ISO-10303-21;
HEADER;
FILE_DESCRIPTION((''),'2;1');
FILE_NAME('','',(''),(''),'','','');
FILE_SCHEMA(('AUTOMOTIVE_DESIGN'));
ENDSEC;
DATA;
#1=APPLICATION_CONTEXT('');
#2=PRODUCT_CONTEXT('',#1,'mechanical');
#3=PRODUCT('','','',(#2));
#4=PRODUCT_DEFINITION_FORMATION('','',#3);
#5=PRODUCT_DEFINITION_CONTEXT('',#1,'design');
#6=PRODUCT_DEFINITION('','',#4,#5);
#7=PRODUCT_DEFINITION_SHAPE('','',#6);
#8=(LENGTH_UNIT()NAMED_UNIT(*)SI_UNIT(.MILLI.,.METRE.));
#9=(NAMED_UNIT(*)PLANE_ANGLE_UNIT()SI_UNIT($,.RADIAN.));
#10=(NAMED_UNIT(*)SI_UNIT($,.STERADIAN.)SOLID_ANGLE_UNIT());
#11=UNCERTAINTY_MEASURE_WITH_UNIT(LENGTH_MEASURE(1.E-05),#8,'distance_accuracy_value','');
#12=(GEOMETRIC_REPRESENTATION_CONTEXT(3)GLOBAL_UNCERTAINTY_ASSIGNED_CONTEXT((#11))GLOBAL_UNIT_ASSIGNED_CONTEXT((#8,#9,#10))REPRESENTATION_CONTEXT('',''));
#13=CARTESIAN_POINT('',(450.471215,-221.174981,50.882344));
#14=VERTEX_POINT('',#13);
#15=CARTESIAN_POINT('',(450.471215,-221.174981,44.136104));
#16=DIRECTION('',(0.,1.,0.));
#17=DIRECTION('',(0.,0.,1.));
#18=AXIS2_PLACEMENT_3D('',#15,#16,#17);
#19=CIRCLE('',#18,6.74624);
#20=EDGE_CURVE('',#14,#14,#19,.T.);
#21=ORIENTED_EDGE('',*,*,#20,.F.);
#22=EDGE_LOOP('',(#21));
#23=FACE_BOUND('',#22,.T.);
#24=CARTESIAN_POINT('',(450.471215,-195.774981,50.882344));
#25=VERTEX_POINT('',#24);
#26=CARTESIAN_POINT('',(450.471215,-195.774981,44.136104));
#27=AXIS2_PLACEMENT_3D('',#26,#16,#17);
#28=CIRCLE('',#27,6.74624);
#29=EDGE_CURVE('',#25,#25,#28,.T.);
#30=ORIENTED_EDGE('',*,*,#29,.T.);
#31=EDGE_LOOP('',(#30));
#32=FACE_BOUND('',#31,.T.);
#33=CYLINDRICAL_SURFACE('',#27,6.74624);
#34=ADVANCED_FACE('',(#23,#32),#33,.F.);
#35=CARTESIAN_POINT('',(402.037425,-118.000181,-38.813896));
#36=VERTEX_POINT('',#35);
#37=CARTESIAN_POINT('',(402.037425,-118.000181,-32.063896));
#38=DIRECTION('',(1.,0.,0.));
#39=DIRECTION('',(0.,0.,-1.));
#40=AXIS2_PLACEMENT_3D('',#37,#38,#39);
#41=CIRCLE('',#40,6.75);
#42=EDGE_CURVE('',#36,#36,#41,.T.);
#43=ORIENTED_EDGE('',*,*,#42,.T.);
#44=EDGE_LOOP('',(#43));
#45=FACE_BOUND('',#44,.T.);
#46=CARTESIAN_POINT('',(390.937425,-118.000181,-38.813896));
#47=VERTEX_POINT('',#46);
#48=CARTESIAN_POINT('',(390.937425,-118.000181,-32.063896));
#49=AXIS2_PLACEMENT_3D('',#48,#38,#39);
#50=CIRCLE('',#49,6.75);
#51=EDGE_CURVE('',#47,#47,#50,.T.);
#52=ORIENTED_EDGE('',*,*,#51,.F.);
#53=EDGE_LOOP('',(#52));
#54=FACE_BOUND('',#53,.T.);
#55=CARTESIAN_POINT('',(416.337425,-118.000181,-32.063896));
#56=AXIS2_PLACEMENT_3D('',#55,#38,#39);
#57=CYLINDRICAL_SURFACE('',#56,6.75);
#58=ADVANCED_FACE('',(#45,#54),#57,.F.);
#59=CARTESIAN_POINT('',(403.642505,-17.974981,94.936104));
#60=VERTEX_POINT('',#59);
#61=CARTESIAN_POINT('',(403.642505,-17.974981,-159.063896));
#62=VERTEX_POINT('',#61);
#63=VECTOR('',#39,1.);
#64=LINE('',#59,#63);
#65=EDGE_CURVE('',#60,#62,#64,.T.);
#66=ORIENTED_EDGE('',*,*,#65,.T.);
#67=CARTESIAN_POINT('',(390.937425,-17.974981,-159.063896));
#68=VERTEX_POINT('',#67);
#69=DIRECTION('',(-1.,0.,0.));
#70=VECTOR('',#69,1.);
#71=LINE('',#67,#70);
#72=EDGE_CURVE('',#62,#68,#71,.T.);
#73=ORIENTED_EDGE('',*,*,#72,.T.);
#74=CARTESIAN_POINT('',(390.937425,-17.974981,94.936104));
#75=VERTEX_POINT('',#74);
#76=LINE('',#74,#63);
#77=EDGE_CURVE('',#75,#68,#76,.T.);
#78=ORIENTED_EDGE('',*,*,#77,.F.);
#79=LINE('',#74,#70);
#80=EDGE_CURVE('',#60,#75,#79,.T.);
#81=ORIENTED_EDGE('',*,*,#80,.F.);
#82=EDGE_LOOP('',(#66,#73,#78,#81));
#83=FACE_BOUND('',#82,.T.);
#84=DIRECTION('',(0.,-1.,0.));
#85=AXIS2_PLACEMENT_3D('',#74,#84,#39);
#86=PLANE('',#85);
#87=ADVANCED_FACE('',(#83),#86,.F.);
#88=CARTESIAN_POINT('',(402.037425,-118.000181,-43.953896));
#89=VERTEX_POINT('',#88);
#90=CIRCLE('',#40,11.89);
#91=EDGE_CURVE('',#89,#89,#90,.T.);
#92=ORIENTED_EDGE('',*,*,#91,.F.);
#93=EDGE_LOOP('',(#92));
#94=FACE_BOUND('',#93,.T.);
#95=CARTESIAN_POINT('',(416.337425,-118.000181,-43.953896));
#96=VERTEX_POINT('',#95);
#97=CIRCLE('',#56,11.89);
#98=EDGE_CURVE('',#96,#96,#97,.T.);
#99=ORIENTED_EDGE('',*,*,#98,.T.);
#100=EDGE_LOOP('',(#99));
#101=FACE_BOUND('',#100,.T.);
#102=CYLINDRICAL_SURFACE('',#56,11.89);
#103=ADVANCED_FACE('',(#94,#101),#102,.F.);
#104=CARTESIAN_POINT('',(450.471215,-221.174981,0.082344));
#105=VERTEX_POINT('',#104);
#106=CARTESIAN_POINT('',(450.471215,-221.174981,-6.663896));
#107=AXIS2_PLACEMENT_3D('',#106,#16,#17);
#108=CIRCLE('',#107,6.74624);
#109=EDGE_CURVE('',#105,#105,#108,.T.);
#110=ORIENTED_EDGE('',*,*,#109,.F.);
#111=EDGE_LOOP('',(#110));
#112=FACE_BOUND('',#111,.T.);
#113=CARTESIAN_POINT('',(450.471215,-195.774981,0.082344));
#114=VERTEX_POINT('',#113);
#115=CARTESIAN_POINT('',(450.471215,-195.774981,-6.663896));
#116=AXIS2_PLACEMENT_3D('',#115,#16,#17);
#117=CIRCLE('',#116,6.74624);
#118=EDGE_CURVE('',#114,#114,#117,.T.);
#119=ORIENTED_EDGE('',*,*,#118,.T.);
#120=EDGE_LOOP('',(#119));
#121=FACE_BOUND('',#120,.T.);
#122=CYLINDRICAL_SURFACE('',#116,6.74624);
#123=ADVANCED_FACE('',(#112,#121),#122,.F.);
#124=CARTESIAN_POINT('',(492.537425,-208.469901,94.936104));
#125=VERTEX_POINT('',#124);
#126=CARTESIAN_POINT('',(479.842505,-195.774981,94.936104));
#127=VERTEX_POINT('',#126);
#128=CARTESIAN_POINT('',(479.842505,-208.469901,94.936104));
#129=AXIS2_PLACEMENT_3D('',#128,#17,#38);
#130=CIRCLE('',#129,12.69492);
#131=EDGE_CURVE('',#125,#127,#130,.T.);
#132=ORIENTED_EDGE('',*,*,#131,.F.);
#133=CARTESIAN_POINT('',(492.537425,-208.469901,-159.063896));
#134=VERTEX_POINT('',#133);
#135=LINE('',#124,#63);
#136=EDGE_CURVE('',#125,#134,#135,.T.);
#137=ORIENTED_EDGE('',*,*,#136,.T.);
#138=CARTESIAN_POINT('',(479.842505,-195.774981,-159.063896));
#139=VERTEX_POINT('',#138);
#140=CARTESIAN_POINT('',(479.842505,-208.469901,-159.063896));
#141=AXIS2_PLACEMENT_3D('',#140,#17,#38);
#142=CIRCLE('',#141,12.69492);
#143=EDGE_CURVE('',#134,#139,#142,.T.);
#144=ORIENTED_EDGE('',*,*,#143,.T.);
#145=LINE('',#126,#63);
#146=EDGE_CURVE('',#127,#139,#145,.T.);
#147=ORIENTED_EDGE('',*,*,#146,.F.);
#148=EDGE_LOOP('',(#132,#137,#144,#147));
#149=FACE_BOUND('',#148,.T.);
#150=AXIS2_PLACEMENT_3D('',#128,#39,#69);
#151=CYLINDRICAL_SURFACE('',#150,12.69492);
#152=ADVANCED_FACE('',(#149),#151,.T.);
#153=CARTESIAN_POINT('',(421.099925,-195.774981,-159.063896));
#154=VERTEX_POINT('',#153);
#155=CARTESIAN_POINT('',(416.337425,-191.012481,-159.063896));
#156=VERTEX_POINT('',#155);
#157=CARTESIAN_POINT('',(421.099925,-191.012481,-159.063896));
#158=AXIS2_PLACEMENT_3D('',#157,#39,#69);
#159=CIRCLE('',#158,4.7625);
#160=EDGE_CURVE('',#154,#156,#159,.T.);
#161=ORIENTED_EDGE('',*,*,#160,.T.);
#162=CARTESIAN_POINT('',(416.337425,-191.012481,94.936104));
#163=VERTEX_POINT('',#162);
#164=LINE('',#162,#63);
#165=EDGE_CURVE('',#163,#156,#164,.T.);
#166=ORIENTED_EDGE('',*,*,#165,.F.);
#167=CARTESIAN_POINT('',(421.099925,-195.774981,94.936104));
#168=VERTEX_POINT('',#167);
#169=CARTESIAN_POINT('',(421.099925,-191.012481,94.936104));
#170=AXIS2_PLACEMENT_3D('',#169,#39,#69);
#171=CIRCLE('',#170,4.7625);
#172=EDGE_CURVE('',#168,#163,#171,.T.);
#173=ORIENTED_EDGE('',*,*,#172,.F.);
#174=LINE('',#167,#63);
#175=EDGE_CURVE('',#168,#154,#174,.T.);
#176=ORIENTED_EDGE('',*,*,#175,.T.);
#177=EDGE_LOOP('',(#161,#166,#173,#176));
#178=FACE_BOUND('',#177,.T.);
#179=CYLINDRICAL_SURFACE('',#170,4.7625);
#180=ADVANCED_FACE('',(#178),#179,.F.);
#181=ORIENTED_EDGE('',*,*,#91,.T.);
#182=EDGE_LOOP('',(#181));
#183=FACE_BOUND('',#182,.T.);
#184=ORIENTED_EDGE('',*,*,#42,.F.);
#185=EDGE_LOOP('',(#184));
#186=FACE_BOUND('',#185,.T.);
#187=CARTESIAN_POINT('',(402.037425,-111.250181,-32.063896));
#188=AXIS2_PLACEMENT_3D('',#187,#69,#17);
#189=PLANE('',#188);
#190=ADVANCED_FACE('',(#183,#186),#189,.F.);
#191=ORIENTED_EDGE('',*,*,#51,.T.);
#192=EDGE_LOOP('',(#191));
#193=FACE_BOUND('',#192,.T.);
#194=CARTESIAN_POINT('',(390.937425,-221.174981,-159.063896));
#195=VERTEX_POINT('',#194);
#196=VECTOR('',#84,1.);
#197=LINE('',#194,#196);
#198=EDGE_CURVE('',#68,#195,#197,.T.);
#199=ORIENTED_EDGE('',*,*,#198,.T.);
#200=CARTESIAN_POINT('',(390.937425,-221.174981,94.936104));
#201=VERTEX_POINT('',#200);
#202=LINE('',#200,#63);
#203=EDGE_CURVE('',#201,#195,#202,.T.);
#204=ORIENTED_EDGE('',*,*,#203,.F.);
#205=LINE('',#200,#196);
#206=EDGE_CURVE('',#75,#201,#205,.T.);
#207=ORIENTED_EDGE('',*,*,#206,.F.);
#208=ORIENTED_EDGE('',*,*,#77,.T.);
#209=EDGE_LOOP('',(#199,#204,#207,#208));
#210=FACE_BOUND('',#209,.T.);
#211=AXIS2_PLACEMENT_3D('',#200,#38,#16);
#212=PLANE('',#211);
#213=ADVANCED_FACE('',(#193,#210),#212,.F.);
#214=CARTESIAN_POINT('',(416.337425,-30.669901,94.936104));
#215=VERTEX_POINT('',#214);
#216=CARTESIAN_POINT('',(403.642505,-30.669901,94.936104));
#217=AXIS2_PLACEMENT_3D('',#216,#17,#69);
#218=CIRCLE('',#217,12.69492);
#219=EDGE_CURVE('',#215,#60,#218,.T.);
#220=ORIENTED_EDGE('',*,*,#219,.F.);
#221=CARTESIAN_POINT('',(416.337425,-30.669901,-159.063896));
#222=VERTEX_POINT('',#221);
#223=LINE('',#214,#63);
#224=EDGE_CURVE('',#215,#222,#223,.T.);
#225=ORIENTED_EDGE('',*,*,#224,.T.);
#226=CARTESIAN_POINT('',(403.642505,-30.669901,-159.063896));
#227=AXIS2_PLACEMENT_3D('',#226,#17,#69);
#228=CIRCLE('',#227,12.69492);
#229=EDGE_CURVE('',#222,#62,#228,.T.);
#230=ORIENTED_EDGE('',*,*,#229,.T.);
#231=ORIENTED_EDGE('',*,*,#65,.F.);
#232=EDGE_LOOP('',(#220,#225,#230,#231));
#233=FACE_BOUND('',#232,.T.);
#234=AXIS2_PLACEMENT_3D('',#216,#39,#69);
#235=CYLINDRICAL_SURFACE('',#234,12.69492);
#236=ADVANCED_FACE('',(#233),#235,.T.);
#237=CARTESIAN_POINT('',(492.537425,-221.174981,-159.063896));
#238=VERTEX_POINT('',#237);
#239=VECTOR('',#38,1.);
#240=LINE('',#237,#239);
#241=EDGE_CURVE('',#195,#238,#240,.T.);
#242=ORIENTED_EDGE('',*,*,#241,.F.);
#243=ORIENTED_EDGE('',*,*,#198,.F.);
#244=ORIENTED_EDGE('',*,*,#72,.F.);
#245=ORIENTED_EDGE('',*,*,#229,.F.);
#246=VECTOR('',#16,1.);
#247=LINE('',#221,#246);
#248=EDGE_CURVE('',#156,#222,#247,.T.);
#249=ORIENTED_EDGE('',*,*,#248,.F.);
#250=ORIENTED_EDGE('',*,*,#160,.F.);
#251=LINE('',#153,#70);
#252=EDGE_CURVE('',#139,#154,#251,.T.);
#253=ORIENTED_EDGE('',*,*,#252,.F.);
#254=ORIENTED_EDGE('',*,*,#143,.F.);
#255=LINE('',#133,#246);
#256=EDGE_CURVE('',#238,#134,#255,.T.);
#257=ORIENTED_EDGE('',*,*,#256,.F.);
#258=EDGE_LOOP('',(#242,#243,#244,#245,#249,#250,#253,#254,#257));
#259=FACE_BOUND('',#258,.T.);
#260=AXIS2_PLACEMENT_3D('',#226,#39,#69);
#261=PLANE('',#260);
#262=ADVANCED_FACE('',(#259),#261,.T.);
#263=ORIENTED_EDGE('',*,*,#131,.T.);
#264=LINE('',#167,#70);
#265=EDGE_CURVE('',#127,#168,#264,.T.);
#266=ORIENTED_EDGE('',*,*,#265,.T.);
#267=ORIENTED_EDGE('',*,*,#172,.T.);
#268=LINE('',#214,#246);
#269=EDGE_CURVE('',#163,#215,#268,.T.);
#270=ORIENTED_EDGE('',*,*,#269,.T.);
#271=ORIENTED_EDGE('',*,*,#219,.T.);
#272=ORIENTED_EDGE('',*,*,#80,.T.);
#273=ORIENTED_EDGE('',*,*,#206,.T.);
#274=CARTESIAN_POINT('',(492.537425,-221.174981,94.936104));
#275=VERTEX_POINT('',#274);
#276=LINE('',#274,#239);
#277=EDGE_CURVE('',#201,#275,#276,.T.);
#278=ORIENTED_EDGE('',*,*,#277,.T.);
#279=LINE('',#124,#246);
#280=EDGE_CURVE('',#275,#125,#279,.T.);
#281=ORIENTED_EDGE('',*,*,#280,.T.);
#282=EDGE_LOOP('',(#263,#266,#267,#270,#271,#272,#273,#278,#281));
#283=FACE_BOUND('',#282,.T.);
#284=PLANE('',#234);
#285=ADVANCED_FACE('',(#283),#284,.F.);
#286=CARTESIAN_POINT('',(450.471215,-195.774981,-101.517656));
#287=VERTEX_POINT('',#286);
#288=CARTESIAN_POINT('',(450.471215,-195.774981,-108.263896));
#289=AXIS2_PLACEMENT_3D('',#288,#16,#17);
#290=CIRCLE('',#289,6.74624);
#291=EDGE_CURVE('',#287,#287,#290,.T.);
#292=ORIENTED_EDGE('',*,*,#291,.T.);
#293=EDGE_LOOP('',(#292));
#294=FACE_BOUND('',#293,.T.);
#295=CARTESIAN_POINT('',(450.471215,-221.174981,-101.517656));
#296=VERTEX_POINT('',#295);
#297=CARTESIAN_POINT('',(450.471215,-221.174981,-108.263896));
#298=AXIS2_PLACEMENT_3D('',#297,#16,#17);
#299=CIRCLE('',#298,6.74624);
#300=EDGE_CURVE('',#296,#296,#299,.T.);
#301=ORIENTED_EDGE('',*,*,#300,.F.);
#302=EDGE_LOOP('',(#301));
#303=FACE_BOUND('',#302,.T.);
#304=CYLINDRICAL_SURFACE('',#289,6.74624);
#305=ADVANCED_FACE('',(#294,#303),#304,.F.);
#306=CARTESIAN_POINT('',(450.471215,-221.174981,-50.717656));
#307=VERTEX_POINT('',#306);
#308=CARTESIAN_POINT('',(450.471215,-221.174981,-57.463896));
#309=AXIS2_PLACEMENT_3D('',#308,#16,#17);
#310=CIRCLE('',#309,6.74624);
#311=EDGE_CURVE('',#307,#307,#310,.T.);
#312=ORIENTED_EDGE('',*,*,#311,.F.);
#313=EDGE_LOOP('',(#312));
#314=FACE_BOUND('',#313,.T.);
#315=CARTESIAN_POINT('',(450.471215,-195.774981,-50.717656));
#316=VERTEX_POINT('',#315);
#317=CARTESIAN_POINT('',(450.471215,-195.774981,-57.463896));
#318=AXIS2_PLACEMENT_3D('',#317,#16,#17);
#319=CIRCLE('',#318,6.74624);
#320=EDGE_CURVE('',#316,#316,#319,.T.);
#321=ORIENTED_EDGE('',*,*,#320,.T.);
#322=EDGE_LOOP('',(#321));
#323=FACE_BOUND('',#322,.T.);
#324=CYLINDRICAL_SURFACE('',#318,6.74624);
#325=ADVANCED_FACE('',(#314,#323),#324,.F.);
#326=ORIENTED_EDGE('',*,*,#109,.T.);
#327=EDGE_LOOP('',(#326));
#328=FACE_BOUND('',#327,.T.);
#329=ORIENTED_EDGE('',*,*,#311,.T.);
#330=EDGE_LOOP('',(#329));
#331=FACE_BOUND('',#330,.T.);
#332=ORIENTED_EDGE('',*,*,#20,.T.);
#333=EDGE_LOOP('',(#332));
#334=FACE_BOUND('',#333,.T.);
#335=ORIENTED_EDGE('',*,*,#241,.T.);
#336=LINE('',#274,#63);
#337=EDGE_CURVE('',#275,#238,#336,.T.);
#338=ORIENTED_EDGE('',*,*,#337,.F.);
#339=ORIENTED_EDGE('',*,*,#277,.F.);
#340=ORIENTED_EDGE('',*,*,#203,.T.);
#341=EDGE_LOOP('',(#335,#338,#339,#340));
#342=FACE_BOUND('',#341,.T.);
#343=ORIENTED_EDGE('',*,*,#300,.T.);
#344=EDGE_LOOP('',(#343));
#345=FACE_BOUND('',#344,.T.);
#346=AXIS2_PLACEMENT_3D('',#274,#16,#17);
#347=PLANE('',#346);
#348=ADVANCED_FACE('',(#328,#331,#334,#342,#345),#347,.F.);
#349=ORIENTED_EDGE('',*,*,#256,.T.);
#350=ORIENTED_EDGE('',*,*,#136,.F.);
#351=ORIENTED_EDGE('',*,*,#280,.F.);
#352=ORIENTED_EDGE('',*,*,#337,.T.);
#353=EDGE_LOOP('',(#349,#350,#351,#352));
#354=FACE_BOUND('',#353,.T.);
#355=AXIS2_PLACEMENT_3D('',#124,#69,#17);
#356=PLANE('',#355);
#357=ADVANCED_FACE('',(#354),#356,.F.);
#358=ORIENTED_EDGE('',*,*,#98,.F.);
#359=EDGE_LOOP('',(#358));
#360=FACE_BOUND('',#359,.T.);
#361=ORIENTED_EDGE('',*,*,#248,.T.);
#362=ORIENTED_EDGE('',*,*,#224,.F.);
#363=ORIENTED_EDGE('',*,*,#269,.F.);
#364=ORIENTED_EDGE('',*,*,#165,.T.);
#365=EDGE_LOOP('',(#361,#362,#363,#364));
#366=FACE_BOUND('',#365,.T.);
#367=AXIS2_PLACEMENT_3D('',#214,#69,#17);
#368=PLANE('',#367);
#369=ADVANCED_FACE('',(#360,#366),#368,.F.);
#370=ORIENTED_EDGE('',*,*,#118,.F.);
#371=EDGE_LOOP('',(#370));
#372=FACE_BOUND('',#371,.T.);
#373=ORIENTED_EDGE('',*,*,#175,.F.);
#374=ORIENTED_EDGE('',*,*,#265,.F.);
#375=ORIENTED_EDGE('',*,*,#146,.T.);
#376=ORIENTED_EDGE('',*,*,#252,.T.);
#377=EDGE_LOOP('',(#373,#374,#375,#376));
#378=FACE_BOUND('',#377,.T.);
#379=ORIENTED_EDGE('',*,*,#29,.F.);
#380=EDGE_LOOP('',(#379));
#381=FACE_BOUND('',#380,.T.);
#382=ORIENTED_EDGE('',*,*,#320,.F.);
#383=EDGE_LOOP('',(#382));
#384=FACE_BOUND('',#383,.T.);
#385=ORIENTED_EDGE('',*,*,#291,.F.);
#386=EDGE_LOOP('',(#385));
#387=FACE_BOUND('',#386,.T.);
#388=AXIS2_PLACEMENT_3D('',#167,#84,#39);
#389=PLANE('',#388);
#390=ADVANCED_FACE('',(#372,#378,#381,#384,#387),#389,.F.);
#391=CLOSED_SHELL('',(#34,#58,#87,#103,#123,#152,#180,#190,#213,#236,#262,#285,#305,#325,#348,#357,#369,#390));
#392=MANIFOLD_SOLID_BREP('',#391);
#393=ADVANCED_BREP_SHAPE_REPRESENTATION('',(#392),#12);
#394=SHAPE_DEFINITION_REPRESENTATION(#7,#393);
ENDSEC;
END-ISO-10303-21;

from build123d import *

# Parameters (mm, degrees)
L_ANGLE_L8X4X1_1_DEPTH                   = 254
F_1_2_CLEARANCE_HOLE1_D                  = 13.49248
CBORE_FOR_M12_HEX_HEAD_BOLT1_D           = 13.5
CBORE_FOR_M12_HEX_HEAD_BOLT1_CBORE_D     = 23.78
CBORE_FOR_M12_HEX_HEAD_BOLT1_CBORE_DEPTH = 14.3


with BuildPart() as part:
    # Sketch114 → L angle L8X4X1(1) (new body)
    with BuildSketch(Plane(origin=(390.937425431, -221.174980879, -159.063896304), x_dir=(1, 0, 0), z_dir=(0, 0, 1))):
        with BuildLine():
            Line((0, 0), (0, 203.2))
            Line((0, 203.2), (12.70508, 203.2))
            ThreePointArc((12.70508, 203.2), (21.681744019, 199.481744019), (25.4, 190.50508))
            Line((25.4, 190.50508), (25.4, 30.1625))
            ThreePointArc((25.4, 30.1625), (26.794903955, 26.794903955), (30.1625, 25.4))
            Line((30.1625, 25.4), (88.90508, 25.4))
            ThreePointArc((88.90508, 25.4), (97.881744019, 21.681744019), (101.6, 12.70508))
            Line((101.6, 12.70508), (101.6, 0))
            Line((101.6, 0), (0, 0))
        make_face()
    extrude(amount=L_ANGLE_L8X4X1_1_DEPTH)

    # 1/2 Clearance Hole1 (through all)
    with Locations(Plane(origin=(0, -195.774980879, 0), x_dir=(1, 0, 0), z_dir=(0, 1, 0))):
        with Locations((450.471215431, -44.136103696), (450.471215431, 108.263896304), (450.471215431, 57.463896304), (450.471215431, 6.663896304)):
            Hole(F_1_2_CLEARANCE_HOLE1_D / 2)

    # CBORE for M12 Hex Head Bolt1 (through all)
    with Locations(Plane(origin=(416.337425431, 0, 0), x_dir=(0, 0, -1), z_dir=(1, 0, 0))):
        with Locations((32.063896304, -118.000180879)):
            CounterBoreHole(CBORE_FOR_M12_HEX_HEAD_BOLT1_D / 2, CBORE_FOR_M12_HEX_HEAD_BOLT1_CBORE_D / 2, CBORE_FOR_M12_HEX_HEAD_BOLT1_CBORE_DEPTH)


solid = part.part
